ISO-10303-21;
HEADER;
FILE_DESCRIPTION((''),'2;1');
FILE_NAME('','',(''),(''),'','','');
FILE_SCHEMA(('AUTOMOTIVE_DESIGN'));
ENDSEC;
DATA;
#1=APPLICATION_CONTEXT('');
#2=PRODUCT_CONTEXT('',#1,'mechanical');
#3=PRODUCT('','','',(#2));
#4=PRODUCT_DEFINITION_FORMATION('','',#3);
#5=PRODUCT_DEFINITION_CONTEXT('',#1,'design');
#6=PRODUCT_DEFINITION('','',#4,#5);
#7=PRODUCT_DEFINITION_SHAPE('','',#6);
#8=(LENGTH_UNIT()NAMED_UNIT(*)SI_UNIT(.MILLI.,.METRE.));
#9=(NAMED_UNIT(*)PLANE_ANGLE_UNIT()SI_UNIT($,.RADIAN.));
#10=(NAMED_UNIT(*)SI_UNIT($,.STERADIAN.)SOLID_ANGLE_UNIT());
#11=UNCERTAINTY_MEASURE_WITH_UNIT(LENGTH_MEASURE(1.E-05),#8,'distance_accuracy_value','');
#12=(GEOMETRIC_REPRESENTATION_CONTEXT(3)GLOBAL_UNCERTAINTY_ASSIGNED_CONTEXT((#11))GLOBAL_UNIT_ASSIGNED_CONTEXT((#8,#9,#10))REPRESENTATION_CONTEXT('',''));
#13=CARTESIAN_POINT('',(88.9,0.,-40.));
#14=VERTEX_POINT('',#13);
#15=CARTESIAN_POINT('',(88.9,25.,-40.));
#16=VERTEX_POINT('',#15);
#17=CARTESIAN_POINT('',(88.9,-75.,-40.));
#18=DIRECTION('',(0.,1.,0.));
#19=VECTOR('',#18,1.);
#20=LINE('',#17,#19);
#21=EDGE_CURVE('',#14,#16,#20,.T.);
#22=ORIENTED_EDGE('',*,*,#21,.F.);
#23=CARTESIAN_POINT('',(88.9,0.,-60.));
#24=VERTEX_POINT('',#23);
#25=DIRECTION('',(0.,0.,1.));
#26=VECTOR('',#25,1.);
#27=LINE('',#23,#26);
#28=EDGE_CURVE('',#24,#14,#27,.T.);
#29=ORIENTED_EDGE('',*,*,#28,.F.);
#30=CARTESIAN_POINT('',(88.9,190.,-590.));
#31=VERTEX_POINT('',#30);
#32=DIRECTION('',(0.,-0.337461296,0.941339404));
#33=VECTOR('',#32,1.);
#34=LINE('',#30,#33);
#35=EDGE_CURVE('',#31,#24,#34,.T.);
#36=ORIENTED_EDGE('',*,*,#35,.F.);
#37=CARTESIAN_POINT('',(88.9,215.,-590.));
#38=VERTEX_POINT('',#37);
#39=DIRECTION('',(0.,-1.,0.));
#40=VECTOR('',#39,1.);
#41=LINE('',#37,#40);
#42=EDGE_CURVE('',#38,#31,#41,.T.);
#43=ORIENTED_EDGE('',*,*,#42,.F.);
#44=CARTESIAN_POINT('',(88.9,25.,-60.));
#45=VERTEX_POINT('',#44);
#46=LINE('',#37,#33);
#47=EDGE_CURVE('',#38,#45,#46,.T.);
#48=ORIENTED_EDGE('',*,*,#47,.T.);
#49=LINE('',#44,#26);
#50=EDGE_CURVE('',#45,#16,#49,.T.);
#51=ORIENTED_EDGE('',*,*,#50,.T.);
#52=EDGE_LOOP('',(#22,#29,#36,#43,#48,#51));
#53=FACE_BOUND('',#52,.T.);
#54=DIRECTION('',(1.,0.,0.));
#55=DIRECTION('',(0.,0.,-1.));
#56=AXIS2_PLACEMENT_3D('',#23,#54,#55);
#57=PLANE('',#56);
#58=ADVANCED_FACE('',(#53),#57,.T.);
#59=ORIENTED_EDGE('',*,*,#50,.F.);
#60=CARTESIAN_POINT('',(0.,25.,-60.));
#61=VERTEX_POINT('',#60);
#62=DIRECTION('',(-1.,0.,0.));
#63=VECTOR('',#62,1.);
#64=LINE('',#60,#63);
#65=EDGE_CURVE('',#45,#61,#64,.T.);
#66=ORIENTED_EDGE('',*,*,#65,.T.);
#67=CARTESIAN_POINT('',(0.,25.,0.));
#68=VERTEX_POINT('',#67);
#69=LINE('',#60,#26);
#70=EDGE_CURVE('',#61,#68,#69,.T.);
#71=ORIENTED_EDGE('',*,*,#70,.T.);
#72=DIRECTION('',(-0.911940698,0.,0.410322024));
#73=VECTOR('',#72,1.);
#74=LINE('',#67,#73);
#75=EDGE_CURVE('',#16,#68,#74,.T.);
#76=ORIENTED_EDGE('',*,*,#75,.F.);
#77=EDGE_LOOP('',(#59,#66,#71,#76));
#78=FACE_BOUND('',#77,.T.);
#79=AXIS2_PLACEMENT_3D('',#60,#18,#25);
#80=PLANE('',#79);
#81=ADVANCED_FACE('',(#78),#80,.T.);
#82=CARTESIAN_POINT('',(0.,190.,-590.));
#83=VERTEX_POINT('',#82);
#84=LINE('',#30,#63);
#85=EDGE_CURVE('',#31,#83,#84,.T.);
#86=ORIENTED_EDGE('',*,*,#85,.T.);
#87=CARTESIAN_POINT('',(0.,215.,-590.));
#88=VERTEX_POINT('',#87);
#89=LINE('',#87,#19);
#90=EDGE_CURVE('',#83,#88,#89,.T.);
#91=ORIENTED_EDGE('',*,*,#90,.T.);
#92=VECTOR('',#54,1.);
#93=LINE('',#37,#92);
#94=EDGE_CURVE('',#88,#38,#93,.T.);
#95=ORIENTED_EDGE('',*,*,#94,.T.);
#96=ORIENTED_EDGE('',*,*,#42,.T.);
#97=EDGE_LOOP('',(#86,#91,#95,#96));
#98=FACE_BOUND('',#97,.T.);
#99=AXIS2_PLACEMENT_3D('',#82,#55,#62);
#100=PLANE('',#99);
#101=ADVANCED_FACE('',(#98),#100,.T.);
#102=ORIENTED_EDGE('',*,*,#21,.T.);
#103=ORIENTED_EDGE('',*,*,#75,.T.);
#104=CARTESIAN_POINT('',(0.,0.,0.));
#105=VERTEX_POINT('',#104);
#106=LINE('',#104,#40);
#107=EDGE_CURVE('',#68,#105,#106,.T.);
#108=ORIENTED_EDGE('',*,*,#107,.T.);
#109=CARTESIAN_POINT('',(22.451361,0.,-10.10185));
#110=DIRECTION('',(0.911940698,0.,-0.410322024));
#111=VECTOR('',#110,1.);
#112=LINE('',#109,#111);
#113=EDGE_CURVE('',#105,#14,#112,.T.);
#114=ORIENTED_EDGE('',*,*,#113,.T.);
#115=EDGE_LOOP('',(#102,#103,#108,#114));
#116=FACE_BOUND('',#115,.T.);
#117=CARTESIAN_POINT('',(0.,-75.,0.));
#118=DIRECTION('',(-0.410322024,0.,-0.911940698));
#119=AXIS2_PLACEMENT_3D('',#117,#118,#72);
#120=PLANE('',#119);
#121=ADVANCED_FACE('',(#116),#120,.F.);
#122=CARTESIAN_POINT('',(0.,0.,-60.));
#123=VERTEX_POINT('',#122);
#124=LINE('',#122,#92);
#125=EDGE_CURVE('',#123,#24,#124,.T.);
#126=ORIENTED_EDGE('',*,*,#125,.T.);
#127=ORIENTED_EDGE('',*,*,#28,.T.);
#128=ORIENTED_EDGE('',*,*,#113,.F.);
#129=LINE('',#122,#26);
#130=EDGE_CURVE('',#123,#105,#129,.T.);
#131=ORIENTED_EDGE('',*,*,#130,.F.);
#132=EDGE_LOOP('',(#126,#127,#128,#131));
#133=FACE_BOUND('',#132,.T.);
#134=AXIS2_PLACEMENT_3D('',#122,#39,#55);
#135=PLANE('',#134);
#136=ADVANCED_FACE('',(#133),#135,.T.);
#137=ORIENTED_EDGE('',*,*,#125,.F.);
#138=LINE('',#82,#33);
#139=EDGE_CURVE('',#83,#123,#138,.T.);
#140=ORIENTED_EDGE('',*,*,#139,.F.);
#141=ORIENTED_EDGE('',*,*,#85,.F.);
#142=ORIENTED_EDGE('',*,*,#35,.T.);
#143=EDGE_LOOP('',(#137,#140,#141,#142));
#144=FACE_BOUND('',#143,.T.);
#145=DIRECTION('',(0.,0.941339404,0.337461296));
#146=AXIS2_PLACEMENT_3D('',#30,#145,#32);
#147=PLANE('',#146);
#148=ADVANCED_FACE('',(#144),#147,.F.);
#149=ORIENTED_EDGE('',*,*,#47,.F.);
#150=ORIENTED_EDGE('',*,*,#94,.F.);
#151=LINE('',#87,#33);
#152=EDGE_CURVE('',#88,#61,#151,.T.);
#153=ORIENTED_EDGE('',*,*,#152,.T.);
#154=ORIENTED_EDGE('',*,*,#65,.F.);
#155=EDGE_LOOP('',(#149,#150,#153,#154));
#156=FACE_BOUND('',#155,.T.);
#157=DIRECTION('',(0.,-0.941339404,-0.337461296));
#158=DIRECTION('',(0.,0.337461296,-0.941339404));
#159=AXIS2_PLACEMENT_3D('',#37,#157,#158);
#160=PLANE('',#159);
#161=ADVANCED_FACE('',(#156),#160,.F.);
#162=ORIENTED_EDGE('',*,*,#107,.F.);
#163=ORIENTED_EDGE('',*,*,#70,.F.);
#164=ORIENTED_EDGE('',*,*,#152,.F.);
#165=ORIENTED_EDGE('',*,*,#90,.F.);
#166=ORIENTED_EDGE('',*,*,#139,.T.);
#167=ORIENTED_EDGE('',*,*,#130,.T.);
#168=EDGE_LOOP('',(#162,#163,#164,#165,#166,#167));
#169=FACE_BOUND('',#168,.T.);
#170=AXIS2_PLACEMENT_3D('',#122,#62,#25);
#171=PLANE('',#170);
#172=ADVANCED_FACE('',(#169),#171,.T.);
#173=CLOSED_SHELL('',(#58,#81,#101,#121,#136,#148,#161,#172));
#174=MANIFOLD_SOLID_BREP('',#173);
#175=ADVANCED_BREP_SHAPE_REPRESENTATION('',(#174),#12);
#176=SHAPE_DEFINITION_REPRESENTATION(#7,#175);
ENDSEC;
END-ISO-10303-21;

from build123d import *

# Parameters (mm, degrees)
CROQUIS1_W              = 88.9
CROQUIS1_H              = 25
SALIENTE_EXTRUIR1_DEPTH = 60
CROQUIS2_W              = 88.9
CROQUIS2_H              = 25
CORTAR_EXTRUIR1_DEPTH   = 100


with BuildPart() as part:
    # Croquis1 → Saliente-Extruir1 (new body)
    with BuildSketch(Plane.XY):
        with Locations((44.45, 12.5)):
            Rectangle(CROQUIS1_W, CROQUIS1_H)
    extrude(amount=-SALIENTE_EXTRUIR1_DEPTH)

    # Barrer1: sweep along a curve in space
    with BuildLine() as barrer1_path:
        Line((44.45, 202.5, -590), (44.45, 12.5, -60))
    # Croquis2 → Barrer1 (sweep)
    with BuildSketch(Plane(origin=(0, 0, -60), x_dir=(-1, 0, 0), z_dir=(0, 0, -1))):
        with Locations((-44.45, 12.5)):
            Rectangle(CROQUIS2_W, CROQUIS2_H)
    sweep(path=barrer1_path.line)

    # Croquis3 → Cortar-Extruir1 (cut)
    with BuildSketch(Plane(origin=(0, 25, 0), x_dir=(1, 0, 0), z_dir=(0, 1, 0))):
        Polygon((0, 0), (88.9, 40), (88.9, 0), align=None)
    extrude(amount=-CORTAR_EXTRUIR1_DEPTH, mode=Mode.SUBTRACT)


solid = part.part
